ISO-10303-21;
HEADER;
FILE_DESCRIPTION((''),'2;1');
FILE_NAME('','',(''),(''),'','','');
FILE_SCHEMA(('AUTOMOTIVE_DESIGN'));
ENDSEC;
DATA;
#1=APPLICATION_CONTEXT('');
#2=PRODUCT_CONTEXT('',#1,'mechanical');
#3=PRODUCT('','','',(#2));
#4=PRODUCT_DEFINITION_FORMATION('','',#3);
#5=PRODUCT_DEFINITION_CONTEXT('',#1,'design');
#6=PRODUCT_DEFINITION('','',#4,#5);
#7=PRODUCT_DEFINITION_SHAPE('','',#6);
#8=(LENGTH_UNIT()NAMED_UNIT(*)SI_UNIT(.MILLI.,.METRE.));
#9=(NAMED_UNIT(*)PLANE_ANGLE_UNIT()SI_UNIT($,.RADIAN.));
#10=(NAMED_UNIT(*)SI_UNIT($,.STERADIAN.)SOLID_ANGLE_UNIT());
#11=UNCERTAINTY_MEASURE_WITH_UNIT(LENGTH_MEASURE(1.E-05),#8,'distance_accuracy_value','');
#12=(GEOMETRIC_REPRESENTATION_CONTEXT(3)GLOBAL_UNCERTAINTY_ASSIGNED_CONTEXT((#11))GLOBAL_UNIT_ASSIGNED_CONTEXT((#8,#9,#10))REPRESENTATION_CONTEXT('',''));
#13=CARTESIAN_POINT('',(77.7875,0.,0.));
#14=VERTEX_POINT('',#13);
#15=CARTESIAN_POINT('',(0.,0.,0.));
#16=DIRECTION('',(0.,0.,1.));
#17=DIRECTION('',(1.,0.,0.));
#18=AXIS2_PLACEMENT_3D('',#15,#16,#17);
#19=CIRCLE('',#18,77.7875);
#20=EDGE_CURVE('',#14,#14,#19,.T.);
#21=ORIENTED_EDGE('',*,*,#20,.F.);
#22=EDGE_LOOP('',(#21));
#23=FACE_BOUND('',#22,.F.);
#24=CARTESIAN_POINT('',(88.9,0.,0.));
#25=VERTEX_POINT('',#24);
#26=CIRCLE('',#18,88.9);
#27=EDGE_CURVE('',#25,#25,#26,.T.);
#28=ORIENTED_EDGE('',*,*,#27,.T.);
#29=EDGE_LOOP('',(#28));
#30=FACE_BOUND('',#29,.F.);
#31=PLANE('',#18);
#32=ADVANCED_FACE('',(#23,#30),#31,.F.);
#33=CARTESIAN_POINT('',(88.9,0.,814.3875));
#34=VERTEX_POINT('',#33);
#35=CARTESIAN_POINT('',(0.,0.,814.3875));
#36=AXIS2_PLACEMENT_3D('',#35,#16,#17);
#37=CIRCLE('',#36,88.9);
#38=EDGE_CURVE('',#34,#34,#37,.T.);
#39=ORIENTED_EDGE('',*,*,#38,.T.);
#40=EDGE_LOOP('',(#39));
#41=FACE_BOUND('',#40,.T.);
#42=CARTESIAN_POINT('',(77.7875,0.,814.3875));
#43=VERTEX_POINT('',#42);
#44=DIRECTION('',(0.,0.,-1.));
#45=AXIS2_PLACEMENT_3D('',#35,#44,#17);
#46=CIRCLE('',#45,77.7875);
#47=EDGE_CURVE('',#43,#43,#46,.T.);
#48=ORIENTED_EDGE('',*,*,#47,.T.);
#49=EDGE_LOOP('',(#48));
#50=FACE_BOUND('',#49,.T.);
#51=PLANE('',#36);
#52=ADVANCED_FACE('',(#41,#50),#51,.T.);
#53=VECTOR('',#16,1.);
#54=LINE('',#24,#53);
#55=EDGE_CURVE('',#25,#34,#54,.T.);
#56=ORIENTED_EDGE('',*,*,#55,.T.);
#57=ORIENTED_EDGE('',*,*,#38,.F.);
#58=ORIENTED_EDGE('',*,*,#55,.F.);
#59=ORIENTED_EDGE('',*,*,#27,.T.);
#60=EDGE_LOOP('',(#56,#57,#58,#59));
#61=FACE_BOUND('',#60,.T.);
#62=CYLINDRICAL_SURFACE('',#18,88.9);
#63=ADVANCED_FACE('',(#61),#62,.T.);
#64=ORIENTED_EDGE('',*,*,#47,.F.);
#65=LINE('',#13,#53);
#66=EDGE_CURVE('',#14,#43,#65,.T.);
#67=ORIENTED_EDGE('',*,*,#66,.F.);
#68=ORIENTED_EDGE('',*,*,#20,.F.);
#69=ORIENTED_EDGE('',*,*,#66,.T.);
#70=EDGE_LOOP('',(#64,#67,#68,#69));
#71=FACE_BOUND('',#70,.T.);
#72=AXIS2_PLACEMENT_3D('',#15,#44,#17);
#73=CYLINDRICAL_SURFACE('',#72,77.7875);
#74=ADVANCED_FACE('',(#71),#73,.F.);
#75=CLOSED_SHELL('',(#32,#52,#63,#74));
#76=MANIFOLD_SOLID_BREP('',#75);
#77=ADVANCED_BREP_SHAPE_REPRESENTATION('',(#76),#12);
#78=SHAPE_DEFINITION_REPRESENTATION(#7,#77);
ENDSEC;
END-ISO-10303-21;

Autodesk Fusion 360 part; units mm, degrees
cylinder "CylinderPrimitive1" add diameter 177.8 height 814.3875 placed x (1, 0, 0) y (0, 1, 0) z (0, 0, 1) at (0, 0, 0)
sketch "Sketch2" plane through (0, 0, 0) normal (0, 0, 1) x (1, 0, 0)
  circle A0 centre (0, 0) radius 77.7875
  dimension "d3" = 155.575
extrude "Extrude1" cut sketch "Sketch2" along normal blind 1016
equation "d1 = 32 1/16\""
